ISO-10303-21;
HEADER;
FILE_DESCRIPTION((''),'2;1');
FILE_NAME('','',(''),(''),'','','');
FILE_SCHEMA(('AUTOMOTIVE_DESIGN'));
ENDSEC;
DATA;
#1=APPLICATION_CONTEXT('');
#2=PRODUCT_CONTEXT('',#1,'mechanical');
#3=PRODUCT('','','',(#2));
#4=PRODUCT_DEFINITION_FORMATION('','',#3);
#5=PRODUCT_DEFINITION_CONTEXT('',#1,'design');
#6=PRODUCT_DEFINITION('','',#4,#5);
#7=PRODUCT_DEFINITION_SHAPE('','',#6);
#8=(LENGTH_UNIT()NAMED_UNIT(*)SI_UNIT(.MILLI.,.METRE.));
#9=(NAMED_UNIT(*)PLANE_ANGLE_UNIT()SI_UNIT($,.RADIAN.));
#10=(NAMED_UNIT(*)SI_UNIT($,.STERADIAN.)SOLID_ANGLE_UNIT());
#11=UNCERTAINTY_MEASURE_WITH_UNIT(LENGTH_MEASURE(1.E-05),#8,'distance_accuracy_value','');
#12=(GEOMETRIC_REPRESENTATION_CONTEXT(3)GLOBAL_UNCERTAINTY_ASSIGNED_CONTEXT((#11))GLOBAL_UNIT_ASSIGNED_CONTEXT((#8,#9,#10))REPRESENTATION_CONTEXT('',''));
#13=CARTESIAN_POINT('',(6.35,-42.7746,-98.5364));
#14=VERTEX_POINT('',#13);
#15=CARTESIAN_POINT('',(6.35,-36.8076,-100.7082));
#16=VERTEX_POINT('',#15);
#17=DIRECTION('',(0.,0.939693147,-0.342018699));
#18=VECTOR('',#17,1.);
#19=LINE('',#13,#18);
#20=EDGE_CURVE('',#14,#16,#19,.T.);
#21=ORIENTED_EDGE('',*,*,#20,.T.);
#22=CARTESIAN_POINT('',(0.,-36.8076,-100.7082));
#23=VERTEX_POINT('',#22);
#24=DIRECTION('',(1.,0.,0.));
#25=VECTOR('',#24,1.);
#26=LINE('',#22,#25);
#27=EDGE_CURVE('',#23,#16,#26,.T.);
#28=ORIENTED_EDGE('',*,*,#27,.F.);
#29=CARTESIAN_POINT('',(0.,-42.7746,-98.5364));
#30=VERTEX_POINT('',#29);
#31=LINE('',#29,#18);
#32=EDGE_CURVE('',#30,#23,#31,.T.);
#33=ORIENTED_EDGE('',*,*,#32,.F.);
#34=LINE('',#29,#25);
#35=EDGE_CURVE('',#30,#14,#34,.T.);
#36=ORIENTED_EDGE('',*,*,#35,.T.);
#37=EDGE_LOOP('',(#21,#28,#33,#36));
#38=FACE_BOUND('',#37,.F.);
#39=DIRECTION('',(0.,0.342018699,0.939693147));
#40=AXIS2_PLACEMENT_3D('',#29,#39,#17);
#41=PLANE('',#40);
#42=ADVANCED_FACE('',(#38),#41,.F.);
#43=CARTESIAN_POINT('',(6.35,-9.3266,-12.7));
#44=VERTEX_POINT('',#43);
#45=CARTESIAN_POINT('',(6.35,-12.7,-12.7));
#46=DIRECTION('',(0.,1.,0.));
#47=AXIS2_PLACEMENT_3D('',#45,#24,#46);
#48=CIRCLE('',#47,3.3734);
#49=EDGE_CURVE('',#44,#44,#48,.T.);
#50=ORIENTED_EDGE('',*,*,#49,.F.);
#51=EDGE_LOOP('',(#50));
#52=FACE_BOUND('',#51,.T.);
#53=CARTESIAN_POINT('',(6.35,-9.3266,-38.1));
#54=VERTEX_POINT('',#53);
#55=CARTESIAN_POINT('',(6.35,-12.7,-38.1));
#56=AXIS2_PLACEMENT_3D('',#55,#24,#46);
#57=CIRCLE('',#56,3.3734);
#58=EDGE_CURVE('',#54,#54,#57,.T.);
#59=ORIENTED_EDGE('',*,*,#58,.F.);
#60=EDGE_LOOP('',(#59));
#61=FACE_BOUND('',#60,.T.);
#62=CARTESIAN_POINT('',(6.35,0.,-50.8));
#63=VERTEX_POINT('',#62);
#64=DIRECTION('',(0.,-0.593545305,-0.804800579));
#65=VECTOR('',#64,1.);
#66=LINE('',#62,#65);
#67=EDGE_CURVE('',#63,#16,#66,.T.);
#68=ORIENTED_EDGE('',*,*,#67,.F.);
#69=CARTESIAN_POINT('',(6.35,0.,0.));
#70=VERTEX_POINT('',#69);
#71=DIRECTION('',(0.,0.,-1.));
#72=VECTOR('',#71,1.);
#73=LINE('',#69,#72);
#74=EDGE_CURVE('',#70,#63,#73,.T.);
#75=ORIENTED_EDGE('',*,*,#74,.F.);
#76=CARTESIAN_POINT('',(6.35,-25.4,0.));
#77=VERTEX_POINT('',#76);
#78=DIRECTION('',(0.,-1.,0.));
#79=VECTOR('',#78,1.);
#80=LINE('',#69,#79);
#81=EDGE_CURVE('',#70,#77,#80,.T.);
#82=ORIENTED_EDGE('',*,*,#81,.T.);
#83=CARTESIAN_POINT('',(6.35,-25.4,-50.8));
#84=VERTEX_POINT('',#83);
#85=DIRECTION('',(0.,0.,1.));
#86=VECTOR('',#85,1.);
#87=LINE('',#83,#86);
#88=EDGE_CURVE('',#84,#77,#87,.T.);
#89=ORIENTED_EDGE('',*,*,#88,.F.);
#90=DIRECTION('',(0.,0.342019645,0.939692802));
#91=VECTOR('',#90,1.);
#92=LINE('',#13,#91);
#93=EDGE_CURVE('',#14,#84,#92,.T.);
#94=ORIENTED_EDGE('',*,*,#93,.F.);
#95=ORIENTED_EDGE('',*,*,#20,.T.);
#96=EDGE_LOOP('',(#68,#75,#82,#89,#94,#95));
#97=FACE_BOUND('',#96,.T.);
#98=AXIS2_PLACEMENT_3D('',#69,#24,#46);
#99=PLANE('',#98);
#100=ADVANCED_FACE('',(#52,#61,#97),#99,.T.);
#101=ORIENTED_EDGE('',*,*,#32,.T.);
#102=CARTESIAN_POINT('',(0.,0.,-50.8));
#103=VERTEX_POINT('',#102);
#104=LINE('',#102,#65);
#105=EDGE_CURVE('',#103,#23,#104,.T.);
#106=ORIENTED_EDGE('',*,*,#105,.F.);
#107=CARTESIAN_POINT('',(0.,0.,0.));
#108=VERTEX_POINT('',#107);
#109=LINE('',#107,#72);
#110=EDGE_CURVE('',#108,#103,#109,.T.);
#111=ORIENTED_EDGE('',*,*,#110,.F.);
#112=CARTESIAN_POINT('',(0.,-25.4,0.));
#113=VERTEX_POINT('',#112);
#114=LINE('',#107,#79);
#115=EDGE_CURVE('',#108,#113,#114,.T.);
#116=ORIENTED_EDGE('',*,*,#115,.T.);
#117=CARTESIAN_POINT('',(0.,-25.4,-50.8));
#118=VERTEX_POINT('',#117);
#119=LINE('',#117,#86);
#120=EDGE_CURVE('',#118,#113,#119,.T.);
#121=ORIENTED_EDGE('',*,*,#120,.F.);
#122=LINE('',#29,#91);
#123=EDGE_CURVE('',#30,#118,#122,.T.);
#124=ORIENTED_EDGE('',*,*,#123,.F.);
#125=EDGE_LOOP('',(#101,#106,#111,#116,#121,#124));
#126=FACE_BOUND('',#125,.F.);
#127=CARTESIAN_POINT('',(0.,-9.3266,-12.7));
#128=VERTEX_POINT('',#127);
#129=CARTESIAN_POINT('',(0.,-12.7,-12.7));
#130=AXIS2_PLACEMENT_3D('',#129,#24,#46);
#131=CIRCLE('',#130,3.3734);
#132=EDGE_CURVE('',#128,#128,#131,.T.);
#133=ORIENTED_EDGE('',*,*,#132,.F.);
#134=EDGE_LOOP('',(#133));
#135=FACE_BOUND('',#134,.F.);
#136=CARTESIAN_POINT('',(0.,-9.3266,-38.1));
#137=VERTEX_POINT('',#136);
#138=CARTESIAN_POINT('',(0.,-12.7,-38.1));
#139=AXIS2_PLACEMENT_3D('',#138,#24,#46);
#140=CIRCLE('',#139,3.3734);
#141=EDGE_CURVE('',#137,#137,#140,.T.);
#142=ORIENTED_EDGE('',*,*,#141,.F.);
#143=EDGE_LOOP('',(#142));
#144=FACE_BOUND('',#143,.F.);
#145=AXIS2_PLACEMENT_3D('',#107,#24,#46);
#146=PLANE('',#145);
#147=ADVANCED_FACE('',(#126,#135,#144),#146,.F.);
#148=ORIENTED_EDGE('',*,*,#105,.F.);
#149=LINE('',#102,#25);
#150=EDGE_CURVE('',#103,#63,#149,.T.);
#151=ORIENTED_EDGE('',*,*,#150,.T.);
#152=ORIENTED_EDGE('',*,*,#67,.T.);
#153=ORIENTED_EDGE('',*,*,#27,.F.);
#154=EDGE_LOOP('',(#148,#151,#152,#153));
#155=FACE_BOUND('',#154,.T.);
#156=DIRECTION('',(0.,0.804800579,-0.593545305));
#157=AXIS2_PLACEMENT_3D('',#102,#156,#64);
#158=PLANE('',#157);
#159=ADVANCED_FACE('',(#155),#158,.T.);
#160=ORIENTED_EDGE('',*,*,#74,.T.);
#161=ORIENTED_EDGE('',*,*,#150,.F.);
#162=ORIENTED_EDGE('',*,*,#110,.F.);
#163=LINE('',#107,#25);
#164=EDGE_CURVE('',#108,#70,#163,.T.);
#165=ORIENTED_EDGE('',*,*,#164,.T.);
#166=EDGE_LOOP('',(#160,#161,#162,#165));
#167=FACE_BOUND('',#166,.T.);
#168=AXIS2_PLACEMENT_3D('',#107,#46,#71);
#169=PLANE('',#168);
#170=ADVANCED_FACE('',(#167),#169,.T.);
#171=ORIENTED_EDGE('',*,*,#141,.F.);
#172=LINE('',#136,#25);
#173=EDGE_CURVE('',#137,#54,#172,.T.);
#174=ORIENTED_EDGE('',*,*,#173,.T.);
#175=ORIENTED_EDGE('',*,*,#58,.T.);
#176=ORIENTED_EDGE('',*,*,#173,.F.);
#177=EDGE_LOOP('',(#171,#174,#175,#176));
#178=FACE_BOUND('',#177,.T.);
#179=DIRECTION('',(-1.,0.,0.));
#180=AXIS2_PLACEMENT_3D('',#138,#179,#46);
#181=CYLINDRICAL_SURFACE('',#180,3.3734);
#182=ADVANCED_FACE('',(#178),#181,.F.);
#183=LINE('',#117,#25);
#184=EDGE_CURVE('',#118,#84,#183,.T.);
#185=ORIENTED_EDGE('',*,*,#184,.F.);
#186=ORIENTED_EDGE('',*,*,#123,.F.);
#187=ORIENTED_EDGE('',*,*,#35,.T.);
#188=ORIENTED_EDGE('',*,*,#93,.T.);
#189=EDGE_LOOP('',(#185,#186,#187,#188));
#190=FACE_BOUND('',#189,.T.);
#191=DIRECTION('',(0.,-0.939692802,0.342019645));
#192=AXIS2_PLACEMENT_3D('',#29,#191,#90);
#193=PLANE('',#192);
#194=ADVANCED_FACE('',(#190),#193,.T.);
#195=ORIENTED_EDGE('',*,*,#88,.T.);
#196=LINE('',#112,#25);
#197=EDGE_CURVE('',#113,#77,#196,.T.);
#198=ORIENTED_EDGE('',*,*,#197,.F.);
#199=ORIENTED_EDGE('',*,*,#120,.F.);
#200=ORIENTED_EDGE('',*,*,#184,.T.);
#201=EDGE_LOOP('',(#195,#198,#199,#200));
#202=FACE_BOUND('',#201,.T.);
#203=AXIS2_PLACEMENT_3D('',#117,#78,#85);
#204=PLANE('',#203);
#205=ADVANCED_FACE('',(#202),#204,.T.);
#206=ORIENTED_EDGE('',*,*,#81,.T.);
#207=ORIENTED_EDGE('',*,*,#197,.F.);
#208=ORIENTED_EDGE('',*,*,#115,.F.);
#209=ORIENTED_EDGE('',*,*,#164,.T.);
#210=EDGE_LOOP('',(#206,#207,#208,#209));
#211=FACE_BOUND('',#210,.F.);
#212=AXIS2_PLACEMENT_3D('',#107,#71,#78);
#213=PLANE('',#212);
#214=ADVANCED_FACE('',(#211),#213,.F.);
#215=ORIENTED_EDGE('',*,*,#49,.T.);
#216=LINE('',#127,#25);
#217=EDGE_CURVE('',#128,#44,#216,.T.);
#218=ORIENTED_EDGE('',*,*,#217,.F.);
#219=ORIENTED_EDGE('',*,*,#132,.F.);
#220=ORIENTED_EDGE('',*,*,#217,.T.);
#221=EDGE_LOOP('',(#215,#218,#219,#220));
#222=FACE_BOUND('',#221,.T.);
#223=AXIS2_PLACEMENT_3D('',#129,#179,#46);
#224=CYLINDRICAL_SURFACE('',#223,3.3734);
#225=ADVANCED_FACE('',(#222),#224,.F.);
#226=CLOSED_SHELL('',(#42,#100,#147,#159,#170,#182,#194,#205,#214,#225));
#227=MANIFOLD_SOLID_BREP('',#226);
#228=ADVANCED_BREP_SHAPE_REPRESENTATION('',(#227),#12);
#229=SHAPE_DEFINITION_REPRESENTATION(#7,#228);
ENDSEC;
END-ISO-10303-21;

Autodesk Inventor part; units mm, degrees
ref_plane "YZ Plane" through (0, 0, 0) normal (1, 0, 0) x (0, 1, 0)
ref_plane "XZ Plane" through (0, 0, 0) normal (0, 1, 0) x (-1, 0, 0)
ref_plane "XY Plane" through (0, 0, 0) normal (0, 0, 1) x (1, 0, 0)
sketch "Sketch1" plane through (0, 0, 0) normal (1, 0, 0) x (0, 1, 0)
  line L0 (0, 0) -> (0, -50.8)
  line L1 (0, -50.8) -> (-36.8076, -100.7082)
  line L2 (-42.7746, -98.5364) -> (-25.4, -50.8)
  line L3 (-25.4, -50.8) -> (-25.4, 0)
  line L4 (0, 0) -> (-25.4, 0)
  line L5 (-42.7746, -98.5364) -> (-36.8076, -100.7082)
  circle A0 centre (-12.7, -38.1) radius 3.3734
  circle A1 centre (-12.7, -12.7) radius 3.3734
  dimension "d0" = 50.8
  dimension "d4" = 160
  dimension "d5" = 50.8
  dimension "d6" = 6.35
  dimension "d7" = 25.4
  dimension "d8" = 6.7469
  dimension "d9" = 6.7469
  dimension "d10" = 12.7
  dimension "d11" = 38.1
  dimension "d12" = 12.7
  dimension "d13" = 12.7
extrude "Extrusion1" add sketch "Sketch1" along normal blind 6.35
properties part number "ramp gusset" material "Aluminum 6061"
